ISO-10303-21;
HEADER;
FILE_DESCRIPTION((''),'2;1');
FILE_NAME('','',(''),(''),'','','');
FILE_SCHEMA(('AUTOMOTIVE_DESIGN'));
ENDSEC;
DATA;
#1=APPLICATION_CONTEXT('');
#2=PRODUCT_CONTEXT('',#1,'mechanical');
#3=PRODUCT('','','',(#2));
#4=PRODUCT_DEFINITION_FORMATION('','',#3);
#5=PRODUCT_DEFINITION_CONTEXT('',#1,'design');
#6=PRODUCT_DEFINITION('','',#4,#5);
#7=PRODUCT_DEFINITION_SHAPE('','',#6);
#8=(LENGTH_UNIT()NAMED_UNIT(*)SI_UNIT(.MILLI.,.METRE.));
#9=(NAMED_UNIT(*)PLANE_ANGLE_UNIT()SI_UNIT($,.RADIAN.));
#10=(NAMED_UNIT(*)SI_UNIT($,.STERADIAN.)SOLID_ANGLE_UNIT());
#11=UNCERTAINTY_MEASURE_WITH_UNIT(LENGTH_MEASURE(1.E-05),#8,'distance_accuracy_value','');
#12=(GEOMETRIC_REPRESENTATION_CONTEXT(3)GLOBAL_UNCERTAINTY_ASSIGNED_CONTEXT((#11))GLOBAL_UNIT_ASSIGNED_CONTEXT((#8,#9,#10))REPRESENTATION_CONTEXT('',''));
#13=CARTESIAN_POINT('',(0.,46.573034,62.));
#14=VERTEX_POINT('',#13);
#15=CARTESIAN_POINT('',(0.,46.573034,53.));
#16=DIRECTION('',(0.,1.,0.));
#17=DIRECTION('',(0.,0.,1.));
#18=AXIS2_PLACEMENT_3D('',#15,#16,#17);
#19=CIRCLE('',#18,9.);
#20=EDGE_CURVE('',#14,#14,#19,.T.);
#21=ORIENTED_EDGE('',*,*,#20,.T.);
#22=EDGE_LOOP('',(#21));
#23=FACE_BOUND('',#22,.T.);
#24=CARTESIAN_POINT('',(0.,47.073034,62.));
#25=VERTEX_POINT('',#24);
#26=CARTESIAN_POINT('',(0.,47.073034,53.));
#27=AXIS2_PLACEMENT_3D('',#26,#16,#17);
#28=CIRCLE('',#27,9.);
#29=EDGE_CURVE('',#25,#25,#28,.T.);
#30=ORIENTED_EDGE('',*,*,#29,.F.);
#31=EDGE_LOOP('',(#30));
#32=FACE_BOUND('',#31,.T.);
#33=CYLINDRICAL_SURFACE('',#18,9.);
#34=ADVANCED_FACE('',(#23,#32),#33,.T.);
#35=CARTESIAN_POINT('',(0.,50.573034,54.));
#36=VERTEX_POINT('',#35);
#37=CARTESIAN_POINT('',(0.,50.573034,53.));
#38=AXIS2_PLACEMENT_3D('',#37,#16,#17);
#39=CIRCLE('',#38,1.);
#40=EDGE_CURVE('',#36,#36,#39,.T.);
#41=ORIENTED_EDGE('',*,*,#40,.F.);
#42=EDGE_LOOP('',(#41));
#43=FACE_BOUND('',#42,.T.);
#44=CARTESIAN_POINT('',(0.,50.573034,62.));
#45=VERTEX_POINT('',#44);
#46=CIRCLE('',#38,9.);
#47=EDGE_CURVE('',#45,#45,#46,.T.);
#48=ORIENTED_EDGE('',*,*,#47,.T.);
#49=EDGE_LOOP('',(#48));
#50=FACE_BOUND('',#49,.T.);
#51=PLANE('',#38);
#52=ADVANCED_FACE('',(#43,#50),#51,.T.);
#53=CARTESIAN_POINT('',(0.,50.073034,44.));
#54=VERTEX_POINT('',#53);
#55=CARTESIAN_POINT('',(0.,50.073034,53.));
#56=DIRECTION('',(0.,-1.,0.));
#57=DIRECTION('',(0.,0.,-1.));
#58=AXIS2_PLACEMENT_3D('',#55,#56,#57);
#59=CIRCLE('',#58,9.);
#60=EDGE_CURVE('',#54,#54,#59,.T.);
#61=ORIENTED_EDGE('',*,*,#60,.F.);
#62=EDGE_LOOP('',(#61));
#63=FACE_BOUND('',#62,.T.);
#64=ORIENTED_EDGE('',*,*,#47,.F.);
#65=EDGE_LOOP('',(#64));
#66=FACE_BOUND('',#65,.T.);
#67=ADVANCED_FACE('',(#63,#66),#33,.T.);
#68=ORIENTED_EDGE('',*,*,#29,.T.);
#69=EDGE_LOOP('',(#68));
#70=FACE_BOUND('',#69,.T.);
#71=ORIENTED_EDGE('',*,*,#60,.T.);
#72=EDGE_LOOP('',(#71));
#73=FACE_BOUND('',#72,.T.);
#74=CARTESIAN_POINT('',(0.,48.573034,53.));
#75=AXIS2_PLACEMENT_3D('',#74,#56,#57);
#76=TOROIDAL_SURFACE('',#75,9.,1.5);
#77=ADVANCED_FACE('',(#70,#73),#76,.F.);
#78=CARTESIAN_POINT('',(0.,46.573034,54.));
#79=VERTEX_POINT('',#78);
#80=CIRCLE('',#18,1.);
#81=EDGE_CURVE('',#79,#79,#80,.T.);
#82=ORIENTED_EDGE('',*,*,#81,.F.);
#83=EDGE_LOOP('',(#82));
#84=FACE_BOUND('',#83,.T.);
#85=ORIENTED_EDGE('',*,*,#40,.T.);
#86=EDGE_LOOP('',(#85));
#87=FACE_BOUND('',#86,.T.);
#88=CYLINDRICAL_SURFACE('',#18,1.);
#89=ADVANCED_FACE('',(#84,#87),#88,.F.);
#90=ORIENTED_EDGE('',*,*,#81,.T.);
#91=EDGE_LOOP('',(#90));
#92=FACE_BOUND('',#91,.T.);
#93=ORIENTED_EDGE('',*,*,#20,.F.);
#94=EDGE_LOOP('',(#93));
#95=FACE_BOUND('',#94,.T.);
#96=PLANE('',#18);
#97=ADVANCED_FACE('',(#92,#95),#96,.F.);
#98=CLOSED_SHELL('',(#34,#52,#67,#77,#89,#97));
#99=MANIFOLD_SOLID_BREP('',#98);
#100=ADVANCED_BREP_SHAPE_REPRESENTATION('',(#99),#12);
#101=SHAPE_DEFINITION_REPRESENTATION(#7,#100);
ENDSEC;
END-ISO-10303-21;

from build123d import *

# Parameters (mm, degrees)
SKETCH1_R           = 9
SKETCH1_R_2         = 1
BOSS_EXTRUDE1_DEPTH = 4
SKETCH2_R           = 1.5


with BuildPart() as part:
    # Sketch1 → Boss-Extrude1 (new body)
    with BuildSketch(Plane(origin=(0, 50.573034342, 0), x_dir=(1, 0, 0), z_dir=(0, 1, 0))):
        with Locations((0, -53)):
            Circle(SKETCH1_R)
        with Locations((0, -53)):
            Circle(SKETCH1_R_2, mode=Mode.SUBTRACT)
    extrude(amount=-BOSS_EXTRUDE1_DEPTH)

    # Sketch2 → Cut-Revolve1 (revolve, cut)
    with BuildSketch(Plane(origin=(0, 0, 0), x_dir=(0, 0, -1), z_dir=(1, 0, 0))):
        with Locations((-44, 48.573034342)):
            Circle(SKETCH2_R)
    revolve(axis=Axis((0, 46.573034342, 53), (0, 1, 0)), mode=Mode.SUBTRACT)


solid = part.part
